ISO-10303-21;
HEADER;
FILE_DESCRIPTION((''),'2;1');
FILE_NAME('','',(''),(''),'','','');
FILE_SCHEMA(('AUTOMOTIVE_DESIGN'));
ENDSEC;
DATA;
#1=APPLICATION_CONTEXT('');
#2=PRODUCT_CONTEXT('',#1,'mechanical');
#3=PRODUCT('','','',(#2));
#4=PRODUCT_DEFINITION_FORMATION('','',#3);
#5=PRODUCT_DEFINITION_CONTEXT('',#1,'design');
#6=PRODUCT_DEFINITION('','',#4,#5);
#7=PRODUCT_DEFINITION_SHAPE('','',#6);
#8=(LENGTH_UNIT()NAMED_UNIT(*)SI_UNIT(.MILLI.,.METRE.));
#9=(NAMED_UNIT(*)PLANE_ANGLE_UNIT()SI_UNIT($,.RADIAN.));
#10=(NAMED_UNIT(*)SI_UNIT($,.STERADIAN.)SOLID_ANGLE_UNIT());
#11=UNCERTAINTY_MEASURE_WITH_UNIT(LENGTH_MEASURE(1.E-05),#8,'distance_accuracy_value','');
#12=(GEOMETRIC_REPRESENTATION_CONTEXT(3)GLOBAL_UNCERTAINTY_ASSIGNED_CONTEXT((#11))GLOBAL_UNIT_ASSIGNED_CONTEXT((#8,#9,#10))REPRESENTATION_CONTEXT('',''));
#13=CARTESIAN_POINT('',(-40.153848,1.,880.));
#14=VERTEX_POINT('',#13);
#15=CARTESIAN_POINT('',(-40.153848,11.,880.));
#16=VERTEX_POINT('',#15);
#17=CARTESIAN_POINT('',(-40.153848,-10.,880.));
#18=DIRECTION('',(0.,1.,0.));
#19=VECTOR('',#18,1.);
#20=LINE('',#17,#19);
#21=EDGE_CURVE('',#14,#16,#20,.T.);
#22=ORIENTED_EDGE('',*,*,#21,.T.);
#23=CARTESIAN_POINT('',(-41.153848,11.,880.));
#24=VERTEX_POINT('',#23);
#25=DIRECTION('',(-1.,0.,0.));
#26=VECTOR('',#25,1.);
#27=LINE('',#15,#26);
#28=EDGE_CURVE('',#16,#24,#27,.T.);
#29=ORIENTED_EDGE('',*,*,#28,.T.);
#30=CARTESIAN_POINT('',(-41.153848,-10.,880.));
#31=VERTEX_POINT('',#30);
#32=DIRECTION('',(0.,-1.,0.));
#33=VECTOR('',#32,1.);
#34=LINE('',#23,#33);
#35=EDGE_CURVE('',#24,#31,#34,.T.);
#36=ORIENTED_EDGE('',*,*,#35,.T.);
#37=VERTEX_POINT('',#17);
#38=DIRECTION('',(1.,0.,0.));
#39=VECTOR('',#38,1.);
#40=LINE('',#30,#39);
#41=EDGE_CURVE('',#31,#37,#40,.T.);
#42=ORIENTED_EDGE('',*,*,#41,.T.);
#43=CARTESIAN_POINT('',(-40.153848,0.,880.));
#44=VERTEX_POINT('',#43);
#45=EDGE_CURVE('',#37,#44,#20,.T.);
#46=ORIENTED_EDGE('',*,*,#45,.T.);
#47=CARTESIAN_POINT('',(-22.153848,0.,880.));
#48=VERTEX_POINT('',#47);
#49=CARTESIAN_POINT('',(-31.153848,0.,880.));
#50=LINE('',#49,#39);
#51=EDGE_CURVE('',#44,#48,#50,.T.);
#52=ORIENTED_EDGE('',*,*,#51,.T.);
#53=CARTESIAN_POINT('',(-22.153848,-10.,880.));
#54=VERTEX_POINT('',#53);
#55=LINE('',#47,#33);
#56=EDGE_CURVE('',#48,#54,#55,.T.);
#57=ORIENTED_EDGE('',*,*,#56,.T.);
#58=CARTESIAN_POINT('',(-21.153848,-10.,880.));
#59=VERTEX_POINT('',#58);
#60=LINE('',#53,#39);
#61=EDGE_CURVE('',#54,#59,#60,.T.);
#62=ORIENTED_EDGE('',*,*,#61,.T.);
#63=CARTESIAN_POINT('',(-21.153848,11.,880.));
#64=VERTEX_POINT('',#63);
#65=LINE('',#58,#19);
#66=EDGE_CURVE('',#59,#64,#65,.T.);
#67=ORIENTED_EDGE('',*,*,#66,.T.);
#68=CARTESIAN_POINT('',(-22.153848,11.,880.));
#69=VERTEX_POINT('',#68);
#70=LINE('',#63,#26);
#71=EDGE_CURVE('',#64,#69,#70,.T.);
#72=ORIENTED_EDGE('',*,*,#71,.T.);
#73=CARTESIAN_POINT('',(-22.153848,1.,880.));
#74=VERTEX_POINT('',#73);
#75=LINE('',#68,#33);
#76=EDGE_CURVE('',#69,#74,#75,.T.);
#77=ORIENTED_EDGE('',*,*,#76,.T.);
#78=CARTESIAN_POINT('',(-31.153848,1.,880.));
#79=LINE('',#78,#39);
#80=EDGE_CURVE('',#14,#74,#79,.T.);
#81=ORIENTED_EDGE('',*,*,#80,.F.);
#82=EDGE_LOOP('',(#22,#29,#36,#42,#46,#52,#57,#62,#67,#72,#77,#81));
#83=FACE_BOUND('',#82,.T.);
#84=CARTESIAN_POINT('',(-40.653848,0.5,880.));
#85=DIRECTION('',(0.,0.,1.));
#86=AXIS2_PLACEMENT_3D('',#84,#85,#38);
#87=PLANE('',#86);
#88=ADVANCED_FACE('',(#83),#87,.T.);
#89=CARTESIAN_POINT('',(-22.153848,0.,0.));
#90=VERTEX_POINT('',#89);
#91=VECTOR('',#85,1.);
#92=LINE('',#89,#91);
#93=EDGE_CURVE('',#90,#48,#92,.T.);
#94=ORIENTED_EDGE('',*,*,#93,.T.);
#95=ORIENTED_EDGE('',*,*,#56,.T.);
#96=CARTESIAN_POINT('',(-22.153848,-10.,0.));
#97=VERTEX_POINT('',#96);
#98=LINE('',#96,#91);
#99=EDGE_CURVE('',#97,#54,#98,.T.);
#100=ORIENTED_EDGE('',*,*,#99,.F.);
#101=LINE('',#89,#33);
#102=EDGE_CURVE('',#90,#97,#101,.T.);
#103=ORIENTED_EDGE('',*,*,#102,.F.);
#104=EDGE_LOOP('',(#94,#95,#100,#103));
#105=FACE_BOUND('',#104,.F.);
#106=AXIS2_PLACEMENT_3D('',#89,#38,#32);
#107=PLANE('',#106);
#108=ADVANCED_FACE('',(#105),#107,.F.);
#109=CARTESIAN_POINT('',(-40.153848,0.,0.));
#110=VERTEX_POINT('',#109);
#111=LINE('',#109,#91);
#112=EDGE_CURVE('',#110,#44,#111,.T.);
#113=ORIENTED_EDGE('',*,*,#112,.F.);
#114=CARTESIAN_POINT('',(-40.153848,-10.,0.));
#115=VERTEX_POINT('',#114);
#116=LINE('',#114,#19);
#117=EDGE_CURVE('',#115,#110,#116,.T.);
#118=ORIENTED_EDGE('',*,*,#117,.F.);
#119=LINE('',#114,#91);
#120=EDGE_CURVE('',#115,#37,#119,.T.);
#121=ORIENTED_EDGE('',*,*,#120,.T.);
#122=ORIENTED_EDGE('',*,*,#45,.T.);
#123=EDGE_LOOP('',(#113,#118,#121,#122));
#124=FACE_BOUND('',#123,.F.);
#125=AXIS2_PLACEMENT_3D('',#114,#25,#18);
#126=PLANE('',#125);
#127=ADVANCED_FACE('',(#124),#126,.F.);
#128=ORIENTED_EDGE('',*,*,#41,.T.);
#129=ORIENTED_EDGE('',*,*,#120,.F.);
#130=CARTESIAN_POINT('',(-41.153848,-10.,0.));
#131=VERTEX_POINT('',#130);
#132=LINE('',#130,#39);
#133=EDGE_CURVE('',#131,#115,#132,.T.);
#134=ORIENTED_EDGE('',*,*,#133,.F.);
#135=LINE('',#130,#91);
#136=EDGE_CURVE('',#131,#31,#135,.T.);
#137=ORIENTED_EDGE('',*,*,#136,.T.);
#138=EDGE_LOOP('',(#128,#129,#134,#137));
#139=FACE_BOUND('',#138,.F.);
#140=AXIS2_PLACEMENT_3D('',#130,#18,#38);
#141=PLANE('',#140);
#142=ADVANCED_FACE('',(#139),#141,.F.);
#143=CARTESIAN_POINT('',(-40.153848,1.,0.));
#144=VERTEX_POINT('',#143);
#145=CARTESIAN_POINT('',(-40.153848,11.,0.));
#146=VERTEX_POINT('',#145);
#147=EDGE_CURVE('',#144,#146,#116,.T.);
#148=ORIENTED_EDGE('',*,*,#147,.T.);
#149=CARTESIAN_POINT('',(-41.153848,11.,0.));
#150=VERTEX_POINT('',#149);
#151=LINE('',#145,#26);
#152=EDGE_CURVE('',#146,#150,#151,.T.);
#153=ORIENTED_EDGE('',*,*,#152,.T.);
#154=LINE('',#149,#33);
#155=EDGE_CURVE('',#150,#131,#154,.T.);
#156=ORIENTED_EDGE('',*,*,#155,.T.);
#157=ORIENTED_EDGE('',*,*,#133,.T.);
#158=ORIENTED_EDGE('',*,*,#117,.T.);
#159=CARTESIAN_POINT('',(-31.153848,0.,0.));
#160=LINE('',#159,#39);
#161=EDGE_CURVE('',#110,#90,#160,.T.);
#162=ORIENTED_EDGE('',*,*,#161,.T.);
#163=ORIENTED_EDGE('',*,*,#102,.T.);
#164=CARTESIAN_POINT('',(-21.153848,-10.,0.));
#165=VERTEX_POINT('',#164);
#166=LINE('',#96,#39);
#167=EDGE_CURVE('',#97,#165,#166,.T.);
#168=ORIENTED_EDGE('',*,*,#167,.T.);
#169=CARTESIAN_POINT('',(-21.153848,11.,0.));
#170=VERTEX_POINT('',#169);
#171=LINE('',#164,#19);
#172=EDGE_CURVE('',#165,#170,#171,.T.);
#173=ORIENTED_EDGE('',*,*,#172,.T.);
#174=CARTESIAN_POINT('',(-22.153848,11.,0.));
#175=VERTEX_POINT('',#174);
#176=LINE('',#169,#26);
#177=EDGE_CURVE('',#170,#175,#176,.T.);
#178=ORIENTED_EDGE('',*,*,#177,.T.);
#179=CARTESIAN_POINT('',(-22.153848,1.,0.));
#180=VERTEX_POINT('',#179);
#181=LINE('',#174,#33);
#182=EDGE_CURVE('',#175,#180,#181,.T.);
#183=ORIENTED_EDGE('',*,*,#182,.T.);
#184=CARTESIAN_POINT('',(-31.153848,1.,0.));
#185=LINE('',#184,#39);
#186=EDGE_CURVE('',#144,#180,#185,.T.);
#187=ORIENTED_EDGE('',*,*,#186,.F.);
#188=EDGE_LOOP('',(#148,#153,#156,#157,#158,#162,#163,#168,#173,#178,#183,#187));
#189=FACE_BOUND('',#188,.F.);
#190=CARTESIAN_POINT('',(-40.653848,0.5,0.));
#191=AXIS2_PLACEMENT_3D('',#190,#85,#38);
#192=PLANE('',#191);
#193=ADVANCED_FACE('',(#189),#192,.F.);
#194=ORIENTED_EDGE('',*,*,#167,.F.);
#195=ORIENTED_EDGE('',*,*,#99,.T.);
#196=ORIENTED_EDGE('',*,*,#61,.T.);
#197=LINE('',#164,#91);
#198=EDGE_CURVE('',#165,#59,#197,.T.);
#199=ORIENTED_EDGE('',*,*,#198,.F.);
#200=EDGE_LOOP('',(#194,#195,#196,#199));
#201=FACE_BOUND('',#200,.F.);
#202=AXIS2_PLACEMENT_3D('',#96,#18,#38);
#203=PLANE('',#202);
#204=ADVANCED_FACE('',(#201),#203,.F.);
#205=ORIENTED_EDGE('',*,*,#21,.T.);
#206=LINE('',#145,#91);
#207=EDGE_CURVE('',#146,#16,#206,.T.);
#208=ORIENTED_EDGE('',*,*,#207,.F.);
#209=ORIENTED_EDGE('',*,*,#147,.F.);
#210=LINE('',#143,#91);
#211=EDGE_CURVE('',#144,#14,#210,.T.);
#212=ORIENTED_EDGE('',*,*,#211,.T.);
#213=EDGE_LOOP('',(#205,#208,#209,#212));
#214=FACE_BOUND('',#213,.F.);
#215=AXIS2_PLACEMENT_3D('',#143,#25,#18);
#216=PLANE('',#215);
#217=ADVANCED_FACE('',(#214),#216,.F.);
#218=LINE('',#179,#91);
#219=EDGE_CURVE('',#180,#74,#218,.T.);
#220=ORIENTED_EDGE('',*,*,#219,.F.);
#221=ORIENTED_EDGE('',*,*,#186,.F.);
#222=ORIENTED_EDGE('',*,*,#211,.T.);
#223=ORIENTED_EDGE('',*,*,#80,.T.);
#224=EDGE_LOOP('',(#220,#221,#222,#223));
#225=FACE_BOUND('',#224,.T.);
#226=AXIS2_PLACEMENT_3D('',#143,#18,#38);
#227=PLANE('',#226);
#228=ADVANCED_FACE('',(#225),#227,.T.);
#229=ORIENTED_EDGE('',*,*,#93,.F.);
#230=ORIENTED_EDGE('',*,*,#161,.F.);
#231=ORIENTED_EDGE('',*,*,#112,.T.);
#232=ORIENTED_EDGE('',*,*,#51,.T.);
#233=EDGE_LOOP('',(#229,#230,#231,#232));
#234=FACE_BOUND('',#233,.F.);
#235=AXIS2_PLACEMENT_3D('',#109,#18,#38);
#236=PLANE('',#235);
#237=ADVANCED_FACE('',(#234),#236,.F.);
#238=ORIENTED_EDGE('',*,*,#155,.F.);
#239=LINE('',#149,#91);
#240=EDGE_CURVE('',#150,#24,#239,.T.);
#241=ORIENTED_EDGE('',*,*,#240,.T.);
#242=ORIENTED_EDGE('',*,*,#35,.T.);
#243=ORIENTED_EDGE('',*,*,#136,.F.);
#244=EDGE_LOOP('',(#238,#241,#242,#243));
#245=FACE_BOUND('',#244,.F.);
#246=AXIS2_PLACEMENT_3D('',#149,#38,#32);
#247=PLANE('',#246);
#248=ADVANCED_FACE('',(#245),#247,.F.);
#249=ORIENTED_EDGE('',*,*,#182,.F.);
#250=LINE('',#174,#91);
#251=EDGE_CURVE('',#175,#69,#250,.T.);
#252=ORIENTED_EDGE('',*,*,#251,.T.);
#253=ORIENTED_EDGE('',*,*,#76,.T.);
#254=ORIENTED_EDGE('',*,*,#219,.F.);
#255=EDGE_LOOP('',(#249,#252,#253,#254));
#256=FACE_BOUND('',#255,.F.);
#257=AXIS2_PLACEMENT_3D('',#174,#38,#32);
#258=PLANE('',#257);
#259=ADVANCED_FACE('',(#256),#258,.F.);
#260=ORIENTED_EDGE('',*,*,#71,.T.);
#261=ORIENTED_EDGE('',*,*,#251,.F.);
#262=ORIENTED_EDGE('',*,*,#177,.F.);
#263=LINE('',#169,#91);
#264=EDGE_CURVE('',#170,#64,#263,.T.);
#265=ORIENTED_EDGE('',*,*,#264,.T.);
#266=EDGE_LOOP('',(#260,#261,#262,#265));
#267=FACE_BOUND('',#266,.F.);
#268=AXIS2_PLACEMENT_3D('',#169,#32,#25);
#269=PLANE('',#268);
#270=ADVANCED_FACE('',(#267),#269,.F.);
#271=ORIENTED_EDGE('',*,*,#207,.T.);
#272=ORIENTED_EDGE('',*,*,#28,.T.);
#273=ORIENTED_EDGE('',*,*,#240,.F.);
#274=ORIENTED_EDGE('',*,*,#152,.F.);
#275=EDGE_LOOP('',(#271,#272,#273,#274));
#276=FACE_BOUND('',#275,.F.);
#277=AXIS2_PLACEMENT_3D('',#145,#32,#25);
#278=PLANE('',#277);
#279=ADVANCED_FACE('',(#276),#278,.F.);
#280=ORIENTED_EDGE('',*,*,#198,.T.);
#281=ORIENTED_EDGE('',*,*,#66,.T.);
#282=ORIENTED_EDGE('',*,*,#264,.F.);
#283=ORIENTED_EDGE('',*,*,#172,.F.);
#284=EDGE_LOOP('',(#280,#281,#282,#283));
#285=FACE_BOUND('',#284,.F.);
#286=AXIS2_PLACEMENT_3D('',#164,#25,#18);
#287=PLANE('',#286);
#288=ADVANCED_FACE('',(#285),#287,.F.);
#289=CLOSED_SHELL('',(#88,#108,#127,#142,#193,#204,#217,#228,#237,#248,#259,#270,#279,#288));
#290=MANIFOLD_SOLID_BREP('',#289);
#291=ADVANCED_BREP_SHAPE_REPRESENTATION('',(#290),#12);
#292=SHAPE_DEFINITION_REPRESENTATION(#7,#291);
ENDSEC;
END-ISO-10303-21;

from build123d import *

# Parameters (mm, degrees)
F0_W     = 18
F0_H     = 1
F1_DEPTH = 880


with BuildPart() as f1:
    # F0 (on Top) → F1 (new body)
    with BuildSketch(Plane.XY):
        Polygon((-40.153848, 11), (-41.153848, 11), (-41.153848, -10), (-40.153848, -10), (-40.153848, 0), (-40.153848, 1), align=None)
        with Locations((-31.153848, 0.5)):
            Rectangle(F0_W, F0_H)
        Polygon((-22.153848, 11), (-22.153848, 1), (-22.153848, 0), (-22.153848, -10), (-21.153848, -10), (-21.153848, 11), align=None)
    extrude(amount=F1_DEPTH)


solid = f1.part
